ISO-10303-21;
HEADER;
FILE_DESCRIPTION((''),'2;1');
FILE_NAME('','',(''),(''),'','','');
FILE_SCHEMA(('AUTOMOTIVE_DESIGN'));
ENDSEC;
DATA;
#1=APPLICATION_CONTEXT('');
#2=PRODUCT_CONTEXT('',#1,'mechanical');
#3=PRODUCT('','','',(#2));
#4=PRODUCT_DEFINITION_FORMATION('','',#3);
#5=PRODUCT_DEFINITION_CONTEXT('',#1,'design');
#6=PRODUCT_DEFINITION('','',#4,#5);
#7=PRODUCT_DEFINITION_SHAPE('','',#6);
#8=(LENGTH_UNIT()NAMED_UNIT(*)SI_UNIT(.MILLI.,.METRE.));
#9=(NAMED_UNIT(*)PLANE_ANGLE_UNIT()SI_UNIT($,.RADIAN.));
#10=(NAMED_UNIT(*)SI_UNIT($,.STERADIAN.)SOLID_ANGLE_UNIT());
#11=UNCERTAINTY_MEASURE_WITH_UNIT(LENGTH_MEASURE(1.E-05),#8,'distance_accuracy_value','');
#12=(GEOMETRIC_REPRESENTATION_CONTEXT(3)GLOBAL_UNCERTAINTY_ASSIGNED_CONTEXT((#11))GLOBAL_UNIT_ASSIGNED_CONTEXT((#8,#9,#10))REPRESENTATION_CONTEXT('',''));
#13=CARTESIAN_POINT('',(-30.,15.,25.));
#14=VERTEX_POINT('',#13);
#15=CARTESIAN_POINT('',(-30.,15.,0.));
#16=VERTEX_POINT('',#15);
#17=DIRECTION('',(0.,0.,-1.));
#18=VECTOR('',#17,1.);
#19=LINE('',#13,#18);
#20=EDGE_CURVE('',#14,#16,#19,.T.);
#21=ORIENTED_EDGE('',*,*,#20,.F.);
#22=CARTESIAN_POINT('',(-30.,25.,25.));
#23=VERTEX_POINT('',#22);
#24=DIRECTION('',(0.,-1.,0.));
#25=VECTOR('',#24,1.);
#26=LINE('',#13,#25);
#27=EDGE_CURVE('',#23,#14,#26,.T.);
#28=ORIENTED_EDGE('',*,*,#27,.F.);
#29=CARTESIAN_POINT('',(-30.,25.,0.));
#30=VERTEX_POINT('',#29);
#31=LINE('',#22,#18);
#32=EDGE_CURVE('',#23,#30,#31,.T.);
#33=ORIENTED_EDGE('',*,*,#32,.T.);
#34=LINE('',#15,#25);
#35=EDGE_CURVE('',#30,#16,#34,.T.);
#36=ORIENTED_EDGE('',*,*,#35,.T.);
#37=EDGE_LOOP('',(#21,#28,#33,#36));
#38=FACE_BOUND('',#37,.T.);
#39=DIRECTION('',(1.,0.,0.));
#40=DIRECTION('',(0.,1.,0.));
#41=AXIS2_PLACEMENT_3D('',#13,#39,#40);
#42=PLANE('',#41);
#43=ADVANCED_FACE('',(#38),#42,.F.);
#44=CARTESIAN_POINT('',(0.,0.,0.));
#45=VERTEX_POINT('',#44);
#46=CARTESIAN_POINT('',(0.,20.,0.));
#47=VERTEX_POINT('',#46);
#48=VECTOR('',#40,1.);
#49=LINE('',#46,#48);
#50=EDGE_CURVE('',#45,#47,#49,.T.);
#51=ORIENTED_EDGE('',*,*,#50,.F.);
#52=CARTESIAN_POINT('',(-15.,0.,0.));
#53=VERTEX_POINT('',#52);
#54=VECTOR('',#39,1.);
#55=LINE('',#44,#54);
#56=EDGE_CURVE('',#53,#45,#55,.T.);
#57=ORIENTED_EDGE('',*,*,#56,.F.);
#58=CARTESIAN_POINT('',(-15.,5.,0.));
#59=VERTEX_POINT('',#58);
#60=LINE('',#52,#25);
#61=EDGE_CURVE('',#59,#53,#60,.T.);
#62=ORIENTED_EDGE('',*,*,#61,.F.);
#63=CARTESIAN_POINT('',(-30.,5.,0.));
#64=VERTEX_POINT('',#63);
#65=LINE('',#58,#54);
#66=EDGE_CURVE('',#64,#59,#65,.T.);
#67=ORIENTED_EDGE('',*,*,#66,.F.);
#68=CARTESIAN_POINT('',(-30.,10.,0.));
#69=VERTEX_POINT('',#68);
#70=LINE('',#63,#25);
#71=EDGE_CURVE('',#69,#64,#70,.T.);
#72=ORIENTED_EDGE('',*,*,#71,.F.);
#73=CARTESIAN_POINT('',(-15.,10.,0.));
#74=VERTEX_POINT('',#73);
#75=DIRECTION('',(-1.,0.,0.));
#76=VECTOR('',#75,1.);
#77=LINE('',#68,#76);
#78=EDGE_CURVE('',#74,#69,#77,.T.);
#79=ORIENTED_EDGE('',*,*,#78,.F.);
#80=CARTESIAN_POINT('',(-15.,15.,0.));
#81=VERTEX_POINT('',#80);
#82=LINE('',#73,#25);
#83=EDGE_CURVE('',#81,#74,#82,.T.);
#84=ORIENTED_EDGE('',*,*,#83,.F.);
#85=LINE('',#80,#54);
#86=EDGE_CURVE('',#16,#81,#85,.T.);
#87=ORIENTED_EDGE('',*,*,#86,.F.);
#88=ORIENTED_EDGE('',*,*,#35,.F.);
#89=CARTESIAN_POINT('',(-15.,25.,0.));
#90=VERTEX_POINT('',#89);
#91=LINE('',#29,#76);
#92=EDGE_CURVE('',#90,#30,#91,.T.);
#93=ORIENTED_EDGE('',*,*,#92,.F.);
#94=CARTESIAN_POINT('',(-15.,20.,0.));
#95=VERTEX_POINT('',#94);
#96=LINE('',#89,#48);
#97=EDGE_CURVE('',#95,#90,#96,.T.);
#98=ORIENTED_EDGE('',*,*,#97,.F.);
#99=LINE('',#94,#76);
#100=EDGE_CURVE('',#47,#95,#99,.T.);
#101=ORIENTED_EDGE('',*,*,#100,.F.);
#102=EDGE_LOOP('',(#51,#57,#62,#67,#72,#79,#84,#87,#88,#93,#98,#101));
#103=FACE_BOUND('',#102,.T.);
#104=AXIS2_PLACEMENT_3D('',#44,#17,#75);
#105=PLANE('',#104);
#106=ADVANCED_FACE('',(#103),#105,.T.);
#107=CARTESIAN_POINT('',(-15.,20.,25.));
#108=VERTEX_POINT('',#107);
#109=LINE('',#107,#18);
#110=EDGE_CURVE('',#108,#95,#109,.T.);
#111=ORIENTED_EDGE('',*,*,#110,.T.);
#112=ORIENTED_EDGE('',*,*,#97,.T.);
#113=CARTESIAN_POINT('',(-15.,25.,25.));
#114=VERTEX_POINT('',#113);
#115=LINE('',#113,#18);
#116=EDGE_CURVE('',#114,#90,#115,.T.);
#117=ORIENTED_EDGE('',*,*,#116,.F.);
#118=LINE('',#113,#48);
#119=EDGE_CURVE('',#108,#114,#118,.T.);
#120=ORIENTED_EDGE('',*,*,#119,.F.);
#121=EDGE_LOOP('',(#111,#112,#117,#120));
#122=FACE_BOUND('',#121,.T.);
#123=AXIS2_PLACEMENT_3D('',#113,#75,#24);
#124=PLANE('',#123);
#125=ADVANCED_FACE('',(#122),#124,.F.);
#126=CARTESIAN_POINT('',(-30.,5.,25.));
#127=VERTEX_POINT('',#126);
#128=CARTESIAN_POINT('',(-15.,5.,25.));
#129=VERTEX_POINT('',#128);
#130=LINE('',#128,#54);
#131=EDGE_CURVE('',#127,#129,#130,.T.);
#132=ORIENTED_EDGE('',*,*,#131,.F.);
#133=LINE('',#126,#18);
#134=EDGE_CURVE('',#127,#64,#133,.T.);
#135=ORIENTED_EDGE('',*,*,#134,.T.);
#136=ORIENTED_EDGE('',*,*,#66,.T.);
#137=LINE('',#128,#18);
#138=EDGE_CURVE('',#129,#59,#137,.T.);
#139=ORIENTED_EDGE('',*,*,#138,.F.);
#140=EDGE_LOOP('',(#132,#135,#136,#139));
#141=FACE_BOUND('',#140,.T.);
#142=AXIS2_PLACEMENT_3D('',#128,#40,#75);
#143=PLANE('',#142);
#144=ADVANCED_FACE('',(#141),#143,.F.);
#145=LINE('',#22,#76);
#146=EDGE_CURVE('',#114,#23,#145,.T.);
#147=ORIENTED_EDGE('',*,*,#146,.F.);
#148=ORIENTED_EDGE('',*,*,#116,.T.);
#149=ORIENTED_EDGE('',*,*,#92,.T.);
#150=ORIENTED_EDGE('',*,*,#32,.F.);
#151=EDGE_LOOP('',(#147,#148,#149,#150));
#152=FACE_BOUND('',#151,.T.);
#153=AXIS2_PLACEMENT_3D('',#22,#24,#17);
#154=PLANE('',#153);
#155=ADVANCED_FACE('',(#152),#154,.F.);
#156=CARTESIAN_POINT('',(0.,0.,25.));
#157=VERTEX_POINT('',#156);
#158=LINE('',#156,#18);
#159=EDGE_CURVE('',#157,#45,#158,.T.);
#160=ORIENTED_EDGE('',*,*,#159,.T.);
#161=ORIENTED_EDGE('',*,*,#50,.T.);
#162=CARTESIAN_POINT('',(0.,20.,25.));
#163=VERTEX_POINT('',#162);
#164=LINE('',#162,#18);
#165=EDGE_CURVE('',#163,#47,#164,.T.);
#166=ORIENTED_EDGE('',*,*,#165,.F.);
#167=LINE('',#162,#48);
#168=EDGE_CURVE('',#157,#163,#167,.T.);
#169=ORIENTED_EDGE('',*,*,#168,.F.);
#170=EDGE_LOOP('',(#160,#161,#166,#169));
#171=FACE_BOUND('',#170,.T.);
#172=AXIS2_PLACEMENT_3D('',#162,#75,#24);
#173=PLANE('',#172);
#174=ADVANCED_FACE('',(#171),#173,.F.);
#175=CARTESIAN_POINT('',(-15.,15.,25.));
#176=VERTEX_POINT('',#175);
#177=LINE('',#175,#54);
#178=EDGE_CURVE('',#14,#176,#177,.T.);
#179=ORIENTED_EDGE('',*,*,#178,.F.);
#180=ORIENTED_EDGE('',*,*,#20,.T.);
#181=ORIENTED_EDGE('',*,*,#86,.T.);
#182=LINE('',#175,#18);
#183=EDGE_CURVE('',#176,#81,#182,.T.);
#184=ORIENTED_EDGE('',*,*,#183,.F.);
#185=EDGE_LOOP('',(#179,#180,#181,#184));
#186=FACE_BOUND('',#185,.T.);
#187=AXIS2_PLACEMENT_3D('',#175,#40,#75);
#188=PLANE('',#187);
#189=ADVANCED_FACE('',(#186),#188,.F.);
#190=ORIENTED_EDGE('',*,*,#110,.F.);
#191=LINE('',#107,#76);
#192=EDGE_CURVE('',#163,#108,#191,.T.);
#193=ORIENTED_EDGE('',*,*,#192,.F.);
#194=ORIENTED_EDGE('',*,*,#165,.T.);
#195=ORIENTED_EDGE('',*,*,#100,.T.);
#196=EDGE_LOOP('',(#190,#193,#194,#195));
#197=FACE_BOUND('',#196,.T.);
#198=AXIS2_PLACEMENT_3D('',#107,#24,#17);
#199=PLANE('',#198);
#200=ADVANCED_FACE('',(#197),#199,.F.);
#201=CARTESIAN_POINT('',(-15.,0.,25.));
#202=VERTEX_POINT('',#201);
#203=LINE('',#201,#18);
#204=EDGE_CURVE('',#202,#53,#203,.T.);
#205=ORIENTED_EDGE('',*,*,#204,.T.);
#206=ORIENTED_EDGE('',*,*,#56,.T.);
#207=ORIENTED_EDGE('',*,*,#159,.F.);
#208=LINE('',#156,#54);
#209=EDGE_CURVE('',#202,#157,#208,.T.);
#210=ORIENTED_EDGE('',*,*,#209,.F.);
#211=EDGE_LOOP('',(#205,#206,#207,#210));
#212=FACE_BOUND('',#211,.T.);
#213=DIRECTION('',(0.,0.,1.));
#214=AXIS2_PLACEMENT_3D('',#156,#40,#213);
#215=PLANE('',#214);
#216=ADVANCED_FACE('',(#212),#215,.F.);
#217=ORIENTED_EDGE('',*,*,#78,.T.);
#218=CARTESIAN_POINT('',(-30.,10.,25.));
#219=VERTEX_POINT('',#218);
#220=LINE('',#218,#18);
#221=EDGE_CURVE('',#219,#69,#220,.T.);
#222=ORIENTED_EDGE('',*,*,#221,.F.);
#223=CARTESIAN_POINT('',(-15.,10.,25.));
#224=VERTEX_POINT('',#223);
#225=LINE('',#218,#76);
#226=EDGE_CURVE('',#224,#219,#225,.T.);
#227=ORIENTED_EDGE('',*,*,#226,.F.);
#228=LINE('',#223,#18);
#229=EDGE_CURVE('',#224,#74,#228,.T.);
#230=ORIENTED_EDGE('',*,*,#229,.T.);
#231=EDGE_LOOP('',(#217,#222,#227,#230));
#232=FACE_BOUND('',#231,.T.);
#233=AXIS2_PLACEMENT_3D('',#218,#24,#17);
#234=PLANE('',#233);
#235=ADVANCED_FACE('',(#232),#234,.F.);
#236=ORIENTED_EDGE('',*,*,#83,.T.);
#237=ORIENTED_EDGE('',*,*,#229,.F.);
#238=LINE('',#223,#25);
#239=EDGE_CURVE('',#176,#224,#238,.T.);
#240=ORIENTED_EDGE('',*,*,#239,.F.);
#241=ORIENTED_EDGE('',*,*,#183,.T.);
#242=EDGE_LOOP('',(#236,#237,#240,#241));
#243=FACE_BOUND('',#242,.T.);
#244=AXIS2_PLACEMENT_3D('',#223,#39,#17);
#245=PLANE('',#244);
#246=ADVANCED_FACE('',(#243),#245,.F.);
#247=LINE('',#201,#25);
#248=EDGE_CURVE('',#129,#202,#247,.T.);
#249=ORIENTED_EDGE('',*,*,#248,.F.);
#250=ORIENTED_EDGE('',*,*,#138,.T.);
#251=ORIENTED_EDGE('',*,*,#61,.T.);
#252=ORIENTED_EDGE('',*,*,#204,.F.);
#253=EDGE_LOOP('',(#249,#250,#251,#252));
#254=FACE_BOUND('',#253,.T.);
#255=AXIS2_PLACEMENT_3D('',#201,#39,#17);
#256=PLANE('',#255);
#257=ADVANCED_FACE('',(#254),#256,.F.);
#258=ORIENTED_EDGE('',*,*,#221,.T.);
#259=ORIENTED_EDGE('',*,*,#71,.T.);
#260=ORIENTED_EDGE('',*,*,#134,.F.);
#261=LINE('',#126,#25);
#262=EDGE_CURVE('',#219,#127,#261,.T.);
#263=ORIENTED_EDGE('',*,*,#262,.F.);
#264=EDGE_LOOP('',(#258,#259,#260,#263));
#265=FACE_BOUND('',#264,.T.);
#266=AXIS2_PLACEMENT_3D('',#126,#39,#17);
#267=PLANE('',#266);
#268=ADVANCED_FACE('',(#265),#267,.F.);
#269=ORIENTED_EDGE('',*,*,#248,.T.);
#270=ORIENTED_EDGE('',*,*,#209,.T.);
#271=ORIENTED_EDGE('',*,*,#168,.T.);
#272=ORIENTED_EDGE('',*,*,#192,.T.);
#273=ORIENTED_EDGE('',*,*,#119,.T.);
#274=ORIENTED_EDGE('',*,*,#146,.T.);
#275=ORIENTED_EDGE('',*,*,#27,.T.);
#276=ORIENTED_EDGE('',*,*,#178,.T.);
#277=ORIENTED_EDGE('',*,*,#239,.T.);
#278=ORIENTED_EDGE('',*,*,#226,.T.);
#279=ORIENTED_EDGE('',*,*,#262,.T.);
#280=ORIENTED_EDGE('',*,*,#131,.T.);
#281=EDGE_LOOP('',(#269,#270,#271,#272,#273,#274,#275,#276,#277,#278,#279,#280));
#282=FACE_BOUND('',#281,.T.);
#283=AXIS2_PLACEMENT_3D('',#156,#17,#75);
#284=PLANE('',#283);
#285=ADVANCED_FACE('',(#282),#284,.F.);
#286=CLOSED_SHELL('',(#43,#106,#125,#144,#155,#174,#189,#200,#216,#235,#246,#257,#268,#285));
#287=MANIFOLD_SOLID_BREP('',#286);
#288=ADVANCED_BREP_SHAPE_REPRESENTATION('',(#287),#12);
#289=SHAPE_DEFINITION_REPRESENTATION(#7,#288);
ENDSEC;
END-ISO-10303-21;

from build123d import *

# Parameters (mm, degrees)
BOSS_EXTRUDE1_DEPTH = 25


with BuildPart() as part:
    # Sketch1 → Boss-Extrude1 (new body)
    with BuildSketch(Plane.XY):
        Polygon((-30, 25), (-15, 25), (-15, 20), (0, 20), (0, 0), (-15, 0), (-15, 5), (-30, 5), (-30, 10), (-15, 10), (-15, 15), (-30, 15), align=None)
    extrude(amount=BOSS_EXTRUDE1_DEPTH)


solid = part.part
